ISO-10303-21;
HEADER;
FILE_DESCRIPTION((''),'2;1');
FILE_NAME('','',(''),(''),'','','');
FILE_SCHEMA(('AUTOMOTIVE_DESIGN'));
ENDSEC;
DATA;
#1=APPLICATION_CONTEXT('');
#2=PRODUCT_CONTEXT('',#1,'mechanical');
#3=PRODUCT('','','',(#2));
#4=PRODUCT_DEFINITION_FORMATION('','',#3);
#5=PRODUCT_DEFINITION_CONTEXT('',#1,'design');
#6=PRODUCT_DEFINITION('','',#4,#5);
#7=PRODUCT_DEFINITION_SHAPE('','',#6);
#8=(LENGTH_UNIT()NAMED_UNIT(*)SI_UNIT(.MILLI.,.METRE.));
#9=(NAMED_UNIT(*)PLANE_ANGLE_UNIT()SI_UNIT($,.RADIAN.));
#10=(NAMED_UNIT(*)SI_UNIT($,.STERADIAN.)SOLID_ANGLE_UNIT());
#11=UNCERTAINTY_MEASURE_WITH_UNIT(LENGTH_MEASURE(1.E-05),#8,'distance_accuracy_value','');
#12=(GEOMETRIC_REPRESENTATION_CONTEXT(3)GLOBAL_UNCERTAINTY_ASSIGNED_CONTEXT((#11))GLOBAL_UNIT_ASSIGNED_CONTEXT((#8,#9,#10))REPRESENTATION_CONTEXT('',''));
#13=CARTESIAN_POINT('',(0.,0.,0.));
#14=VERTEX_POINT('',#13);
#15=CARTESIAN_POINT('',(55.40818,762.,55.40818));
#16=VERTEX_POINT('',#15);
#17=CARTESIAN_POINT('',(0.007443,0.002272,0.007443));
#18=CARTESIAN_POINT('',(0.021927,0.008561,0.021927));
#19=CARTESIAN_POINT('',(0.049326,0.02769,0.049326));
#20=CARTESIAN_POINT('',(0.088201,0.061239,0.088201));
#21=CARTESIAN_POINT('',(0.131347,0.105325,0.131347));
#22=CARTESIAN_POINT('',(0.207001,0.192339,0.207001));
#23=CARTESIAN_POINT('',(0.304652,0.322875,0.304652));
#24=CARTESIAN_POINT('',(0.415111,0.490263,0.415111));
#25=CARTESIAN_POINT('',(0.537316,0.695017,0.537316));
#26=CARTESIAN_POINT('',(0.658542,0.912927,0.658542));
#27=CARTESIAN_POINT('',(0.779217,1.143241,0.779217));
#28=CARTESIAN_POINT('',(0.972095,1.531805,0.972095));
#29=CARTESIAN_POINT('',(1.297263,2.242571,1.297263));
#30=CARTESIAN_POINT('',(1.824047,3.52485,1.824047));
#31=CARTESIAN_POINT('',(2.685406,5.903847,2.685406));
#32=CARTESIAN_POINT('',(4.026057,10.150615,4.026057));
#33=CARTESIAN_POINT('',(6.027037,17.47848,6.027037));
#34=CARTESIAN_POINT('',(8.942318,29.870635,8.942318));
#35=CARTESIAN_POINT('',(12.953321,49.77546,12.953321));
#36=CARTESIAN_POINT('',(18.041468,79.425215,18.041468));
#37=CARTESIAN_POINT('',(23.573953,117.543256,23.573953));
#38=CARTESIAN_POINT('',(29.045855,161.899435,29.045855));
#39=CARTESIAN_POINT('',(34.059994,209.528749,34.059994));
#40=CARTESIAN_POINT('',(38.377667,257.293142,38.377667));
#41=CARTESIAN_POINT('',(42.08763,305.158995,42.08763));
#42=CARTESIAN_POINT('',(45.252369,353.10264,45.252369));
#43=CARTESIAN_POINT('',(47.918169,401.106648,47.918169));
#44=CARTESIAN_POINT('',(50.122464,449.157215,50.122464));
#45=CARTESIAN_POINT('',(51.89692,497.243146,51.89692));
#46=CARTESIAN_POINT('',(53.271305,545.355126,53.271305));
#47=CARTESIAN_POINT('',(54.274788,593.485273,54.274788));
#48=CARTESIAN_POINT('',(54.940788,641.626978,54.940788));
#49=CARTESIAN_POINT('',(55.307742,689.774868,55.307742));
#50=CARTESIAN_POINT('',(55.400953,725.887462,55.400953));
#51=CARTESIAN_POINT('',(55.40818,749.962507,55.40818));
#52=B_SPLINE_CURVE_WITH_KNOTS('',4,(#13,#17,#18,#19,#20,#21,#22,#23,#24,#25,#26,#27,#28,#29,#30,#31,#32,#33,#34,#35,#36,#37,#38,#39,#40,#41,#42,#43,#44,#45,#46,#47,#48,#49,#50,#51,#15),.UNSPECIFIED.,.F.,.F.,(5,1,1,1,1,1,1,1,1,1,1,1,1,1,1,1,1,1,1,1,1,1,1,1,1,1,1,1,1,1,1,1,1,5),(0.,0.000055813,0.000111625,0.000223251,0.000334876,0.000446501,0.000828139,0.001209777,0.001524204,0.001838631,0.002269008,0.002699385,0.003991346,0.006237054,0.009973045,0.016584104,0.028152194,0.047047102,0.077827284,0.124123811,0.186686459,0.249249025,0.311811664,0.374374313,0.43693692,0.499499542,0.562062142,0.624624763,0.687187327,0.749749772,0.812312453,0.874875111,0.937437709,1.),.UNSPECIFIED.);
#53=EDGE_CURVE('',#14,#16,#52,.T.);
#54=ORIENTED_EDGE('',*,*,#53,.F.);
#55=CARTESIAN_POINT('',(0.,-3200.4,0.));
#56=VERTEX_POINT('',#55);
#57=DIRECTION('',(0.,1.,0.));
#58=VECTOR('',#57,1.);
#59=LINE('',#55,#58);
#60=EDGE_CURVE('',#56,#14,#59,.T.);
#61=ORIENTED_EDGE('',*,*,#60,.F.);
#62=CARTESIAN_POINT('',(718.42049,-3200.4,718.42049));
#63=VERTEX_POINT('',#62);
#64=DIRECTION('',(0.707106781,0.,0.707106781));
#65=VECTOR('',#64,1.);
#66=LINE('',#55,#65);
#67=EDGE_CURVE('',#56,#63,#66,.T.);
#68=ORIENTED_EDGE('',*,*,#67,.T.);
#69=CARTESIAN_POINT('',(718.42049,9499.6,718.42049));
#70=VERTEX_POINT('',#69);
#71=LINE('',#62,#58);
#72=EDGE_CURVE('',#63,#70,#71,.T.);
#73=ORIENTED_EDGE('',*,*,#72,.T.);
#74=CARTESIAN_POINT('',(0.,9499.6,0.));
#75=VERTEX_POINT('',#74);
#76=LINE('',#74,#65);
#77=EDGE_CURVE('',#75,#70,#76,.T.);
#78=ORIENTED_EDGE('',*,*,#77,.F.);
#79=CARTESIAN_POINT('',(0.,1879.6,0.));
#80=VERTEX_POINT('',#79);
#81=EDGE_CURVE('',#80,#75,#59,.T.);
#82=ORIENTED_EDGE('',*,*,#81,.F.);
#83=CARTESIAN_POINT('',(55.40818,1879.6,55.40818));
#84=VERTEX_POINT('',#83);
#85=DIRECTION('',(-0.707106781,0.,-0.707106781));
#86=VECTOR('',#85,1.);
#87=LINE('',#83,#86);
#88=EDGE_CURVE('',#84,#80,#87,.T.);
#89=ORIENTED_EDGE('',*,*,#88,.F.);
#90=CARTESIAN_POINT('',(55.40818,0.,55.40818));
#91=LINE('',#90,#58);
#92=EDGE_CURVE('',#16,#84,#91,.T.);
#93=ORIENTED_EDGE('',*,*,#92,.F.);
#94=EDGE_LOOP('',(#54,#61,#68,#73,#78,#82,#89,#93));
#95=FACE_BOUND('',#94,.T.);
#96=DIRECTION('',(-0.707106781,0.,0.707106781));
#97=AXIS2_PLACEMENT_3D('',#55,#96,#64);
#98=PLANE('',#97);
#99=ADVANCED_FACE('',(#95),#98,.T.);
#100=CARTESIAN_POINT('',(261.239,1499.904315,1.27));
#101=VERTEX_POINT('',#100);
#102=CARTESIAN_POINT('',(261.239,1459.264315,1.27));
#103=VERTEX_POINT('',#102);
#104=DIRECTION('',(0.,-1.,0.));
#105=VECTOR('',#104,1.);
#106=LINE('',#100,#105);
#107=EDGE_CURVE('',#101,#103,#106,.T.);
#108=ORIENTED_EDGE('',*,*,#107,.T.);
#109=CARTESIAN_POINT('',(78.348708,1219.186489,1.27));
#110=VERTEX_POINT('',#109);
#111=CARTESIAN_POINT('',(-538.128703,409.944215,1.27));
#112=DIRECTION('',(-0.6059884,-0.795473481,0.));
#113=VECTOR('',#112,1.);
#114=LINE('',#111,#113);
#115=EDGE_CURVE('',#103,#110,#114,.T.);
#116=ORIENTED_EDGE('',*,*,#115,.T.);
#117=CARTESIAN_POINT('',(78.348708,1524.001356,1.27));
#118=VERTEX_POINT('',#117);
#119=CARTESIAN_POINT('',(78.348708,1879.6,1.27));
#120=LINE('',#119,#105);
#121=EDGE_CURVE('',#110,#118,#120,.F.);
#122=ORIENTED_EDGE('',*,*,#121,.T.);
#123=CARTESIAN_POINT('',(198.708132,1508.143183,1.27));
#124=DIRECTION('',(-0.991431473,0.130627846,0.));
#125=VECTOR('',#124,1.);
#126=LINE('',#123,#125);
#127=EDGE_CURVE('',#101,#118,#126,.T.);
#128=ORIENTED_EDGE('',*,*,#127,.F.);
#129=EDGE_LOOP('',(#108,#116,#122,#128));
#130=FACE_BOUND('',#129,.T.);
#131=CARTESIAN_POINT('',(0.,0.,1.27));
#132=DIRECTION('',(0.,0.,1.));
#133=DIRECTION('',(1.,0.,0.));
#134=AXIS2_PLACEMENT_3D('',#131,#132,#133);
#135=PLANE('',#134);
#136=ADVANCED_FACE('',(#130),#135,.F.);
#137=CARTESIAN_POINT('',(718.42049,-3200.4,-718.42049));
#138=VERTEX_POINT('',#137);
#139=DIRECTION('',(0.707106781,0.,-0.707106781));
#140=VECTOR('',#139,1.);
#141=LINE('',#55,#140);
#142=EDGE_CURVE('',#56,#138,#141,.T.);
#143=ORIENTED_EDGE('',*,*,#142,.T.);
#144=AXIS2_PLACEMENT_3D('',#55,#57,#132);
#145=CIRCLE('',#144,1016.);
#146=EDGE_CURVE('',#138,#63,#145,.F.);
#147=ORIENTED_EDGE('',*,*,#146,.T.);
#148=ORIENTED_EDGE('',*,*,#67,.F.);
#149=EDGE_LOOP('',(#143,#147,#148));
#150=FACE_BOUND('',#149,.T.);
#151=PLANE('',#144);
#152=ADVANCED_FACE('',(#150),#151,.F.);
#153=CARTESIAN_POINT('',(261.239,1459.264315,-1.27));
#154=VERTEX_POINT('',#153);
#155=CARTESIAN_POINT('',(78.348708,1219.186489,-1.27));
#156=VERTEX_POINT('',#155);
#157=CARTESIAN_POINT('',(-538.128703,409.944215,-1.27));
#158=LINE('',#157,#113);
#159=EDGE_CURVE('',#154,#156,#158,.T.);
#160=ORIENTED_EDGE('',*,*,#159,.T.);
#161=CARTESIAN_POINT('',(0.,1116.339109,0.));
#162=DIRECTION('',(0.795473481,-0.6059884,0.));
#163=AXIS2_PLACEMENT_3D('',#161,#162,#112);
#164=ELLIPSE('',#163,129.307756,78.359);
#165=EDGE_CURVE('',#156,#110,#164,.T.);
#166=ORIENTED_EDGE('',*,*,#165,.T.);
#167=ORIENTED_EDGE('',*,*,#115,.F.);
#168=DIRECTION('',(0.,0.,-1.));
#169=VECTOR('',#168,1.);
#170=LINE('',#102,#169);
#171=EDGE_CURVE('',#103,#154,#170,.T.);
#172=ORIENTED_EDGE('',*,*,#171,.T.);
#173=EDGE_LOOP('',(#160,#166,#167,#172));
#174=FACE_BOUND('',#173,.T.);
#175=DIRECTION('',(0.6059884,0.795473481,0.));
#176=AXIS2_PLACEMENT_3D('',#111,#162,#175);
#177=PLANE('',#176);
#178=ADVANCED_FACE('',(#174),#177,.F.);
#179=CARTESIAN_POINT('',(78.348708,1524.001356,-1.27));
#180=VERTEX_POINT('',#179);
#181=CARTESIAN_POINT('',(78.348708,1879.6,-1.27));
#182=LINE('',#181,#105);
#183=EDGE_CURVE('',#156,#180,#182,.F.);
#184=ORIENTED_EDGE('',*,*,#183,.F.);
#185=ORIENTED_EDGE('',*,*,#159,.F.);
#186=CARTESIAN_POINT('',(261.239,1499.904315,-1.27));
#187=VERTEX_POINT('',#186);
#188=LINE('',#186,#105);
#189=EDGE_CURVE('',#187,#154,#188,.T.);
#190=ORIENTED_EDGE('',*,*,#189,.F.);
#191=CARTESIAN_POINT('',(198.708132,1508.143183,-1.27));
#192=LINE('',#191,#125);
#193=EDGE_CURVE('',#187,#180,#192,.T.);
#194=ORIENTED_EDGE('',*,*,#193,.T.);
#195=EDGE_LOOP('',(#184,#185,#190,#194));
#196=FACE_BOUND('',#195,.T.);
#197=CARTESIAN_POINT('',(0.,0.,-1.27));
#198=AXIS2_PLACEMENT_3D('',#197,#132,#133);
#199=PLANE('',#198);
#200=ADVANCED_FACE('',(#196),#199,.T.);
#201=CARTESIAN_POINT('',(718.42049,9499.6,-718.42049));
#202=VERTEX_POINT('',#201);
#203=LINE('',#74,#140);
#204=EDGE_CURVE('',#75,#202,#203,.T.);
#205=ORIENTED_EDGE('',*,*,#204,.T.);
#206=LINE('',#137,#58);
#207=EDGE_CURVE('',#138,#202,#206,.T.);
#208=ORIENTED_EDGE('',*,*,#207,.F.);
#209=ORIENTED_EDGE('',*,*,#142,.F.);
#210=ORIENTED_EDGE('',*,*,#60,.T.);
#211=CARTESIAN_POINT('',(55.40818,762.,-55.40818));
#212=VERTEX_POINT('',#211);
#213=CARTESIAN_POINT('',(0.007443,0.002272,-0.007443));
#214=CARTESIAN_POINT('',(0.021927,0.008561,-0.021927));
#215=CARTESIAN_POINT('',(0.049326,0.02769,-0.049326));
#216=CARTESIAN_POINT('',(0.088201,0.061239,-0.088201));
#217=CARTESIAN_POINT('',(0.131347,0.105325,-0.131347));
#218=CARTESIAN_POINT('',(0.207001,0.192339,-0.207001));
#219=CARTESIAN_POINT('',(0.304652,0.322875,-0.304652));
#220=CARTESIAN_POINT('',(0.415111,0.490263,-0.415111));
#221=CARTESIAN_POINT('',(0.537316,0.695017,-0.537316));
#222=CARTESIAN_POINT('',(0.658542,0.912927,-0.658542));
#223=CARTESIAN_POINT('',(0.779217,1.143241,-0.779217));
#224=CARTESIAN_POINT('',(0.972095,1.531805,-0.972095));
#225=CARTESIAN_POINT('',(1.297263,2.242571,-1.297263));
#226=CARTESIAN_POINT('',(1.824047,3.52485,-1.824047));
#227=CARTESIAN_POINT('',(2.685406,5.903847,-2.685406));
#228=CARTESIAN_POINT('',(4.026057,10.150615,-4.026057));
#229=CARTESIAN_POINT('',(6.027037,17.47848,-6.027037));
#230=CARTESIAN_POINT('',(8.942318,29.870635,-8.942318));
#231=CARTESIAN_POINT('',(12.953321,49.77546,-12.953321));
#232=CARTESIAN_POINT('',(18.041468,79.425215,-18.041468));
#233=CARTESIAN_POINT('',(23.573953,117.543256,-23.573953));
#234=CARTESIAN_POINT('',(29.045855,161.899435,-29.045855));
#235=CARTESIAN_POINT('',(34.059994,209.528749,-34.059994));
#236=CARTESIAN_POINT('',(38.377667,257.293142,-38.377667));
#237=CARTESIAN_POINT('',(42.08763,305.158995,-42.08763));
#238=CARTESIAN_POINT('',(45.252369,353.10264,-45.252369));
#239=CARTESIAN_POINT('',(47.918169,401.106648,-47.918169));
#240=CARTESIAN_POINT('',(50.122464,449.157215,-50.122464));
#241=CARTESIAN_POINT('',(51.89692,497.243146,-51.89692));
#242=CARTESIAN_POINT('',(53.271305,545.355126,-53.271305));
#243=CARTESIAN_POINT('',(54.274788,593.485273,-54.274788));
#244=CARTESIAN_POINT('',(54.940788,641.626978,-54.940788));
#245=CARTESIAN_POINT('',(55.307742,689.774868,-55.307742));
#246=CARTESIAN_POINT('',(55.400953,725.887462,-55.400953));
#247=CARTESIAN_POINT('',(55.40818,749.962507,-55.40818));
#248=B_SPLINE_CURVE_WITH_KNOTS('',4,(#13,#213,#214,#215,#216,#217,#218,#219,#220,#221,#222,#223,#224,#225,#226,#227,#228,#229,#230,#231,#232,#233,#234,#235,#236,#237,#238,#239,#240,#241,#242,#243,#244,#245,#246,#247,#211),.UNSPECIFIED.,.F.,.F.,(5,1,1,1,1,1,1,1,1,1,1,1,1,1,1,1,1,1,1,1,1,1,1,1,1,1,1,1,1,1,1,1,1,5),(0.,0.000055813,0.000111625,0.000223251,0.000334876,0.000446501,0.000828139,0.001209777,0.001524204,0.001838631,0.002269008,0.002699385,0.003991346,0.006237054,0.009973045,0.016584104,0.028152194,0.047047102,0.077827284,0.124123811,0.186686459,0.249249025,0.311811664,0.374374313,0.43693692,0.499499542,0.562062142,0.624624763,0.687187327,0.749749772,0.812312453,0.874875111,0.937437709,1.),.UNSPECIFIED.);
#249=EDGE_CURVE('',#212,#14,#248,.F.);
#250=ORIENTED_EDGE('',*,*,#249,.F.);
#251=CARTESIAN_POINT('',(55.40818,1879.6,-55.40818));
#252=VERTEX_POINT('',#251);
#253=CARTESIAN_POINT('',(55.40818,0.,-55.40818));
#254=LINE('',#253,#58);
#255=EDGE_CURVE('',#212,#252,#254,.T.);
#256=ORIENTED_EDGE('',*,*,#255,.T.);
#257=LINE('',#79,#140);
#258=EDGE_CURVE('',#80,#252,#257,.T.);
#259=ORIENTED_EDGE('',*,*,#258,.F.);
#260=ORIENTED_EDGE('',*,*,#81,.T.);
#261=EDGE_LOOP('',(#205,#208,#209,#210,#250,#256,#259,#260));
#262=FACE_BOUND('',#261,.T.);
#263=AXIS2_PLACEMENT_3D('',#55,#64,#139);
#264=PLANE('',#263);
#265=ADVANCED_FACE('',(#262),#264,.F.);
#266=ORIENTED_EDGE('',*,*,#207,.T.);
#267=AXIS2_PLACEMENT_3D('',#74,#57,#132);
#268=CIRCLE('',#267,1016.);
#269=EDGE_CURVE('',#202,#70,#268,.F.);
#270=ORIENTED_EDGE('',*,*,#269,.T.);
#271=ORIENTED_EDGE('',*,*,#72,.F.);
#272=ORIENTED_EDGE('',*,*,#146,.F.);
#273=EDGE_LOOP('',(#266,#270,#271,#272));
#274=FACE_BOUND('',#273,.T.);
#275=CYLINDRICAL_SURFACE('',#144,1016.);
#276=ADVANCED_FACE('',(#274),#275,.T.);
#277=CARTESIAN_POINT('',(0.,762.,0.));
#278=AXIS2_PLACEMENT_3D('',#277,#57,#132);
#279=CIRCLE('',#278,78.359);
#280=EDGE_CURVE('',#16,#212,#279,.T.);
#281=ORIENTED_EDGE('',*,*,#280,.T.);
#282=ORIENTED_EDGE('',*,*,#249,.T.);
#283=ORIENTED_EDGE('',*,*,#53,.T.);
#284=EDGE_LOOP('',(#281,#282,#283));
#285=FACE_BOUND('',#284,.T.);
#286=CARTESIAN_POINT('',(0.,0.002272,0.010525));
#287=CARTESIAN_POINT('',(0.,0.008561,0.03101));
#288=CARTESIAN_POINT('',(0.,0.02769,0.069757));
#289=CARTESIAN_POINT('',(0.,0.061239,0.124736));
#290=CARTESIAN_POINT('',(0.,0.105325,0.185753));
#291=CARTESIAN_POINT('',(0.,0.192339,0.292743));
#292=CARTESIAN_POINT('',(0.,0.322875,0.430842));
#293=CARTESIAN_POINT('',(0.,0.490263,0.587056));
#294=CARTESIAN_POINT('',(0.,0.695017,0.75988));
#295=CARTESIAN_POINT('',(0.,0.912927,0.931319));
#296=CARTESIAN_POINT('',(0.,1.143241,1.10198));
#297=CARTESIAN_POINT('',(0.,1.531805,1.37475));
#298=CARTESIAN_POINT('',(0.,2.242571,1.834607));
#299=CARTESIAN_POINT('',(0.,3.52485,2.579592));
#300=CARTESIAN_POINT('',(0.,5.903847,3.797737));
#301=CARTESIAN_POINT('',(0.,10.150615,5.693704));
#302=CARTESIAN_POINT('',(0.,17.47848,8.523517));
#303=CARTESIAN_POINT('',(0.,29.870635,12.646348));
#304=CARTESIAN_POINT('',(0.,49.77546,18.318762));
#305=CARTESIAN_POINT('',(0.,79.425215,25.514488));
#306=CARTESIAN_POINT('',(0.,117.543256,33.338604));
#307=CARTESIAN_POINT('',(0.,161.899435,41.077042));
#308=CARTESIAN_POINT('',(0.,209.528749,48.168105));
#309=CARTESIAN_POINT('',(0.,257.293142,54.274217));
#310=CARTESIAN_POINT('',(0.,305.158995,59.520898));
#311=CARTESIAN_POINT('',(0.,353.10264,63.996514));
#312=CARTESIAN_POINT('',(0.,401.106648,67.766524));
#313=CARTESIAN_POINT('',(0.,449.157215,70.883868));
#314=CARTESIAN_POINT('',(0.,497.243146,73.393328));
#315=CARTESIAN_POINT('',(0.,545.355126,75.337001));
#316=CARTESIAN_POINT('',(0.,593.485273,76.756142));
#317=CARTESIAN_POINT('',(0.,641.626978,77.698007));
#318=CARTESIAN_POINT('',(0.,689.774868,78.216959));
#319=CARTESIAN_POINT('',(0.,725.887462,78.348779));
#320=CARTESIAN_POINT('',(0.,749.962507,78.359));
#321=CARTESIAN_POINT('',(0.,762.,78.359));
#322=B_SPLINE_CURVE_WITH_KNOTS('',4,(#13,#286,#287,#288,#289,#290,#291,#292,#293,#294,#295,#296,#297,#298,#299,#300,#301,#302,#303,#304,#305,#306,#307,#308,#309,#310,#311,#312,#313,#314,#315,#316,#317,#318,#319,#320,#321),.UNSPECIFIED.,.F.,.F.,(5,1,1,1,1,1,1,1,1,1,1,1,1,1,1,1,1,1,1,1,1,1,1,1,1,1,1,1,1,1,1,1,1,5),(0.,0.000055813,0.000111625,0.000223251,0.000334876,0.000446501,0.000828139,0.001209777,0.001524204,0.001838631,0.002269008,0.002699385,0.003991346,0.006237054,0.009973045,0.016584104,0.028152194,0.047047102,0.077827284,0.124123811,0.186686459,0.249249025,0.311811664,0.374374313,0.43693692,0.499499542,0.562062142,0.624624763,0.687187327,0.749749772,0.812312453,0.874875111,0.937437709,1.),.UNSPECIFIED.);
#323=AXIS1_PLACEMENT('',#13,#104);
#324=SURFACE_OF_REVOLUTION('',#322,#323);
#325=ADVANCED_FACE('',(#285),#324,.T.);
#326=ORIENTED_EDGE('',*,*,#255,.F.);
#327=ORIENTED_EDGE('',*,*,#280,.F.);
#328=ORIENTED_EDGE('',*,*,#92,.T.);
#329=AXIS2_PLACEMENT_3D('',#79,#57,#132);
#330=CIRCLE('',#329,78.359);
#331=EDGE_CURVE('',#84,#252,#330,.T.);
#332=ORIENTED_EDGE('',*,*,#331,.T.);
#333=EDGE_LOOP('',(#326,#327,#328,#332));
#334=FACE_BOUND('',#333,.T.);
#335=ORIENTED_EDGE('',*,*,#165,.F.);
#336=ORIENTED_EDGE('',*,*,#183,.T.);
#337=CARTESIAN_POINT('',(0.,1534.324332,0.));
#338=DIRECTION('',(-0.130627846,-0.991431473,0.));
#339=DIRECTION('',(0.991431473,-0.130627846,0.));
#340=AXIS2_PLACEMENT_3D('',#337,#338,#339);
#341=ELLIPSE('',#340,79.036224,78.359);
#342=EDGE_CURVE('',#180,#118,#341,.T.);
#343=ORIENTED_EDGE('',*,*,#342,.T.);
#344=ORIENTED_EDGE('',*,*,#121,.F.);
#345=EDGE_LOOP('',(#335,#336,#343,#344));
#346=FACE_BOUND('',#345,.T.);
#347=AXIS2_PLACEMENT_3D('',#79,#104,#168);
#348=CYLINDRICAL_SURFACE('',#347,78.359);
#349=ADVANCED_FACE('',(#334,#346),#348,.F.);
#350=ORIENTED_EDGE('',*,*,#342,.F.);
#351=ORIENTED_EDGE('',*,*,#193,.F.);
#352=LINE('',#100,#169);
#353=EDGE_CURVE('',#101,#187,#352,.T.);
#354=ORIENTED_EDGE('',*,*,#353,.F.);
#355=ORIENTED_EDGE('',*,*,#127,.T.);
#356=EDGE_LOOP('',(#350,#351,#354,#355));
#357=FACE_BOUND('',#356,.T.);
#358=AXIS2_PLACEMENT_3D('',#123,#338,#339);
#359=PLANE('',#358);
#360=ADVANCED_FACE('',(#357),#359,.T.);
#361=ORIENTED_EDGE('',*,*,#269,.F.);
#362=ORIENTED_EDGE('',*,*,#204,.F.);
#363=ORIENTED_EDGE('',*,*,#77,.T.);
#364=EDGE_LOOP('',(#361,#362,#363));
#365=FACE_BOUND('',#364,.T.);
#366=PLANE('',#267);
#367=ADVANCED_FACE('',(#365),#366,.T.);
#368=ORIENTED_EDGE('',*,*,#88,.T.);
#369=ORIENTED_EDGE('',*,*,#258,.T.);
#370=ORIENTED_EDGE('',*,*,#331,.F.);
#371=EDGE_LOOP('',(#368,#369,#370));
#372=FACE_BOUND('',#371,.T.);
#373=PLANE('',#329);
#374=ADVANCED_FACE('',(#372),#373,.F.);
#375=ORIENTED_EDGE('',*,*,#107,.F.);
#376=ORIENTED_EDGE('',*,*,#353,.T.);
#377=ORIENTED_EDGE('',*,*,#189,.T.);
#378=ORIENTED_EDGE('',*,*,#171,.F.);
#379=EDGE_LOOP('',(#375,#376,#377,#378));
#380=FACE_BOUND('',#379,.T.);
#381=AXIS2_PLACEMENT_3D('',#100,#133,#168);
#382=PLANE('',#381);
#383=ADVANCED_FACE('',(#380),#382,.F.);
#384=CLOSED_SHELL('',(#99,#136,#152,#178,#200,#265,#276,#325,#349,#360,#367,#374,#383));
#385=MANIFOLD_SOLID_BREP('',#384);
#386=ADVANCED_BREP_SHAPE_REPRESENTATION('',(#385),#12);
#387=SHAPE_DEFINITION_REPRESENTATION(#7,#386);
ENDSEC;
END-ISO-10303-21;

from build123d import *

# Parameters (mm, degrees)
SKETCH5_R                = 78.359
BOSS_EXTRUDE1_DEPTH      = 1117.6
CUT_EXTRUDE2_DEPTH       = 1883.863889443
BOSS_EXTRUDE3_DEPTH      = 1.27
BOSS_EXTRUDE4_DEPTH      = 7620
BOSS_EXTRUDE4_DEPTH_BACK = 5080


with BuildPart() as part:
    # Sketch4 → Revolve1 (revolve)
    with BuildSketch(Plane.YZ):
        with BuildLine():
            add(Edge.make_bspline(
                [(0, 0), (0.002272338, 0.010525317), (0.008561015, 0.031009867), (0.027689705, 0.069756925), (0.061239273, 0.124735634), (0.105324786, 0.185752869), (0.192338612, 0.292743497), (0.322874784, 0.430842392), (0.490263053, 0.587055669), (0.695016601, 0.7598799), (0.912926923, 0.931318831), (1.143240517, 1.10197974), (1.531804995, 1.374749944), (2.242570555, 1.834607161), (3.524849665, 2.579591801), (5.903846922, 3.797737268), (10.150615363, 5.693703914), (17.478480432, 8.523516836), (29.870634739, 12.646347877), (49.775460189, 18.3187623), (79.425215434, 25.51448835), (117.543255539, 33.338604399), (161.899434584, 41.077041953), (209.528749396, 48.168105347), (257.293142226, 54.274216652), (305.158994976, 59.520897511), (353.102640037, 63.996513764), (401.106648045, 67.766524351), (449.157215103, 70.883868143), (497.243146494, 73.39332762), (545.355125756, 75.337001384), (593.485273111, 76.756141879), (641.626977986, 77.698006858), (689.774868279, 78.216958862), (725.887462179, 78.34877941), (749.962507453, 78.359), (762, 78.359)],
                knots=[0, 0, 0, 0, 0, 5.5813e-05, 0.000111625, 0.000223251, 0.000334876, 0.000446501, 0.000828139, 0.001209777, 0.001524204, 0.001838631, 0.002269008, 0.002699385, 0.003991346, 0.006237054, 0.009973045, 0.016584104, 0.028152194, 0.047047102, 0.077827284, 0.124123811, 0.186686459, 0.249249025, 0.311811664, 0.374374313, 0.43693692, 0.499499542, 0.562062142, 0.624624763, 0.687187327, 0.749749772, 0.812312453, 0.874875111, 0.937437709, 1, 1, 1, 1, 1], degree=4))
            Line((0, 0), (762, 0))
            Line((762, 0), (762, 78.359))
        make_face()
    revolve(axis=Axis((0, 0, 0), (0, 1, 0)))

    # Sketch5 → Boss-Extrude1 (add)
    with BuildSketch(Plane(origin=(0, 762, 0), x_dir=(-1, 0, 0), z_dir=(0, 1, 0))):
        Circle(SKETCH5_R)
    extrude(amount=BOSS_EXTRUDE1_DEPTH)

    # Sketch10 → Cut-Extrude2 (cut, through all)
    with BuildSketch(Plane(origin=(0, 1879.6, 0), x_dir=(-1, 0, 0), z_dir=(0, 1, 0))):
        with BuildLine():
            Line((-55.408180267, 55.408180267), (0, 0))
            Line((0, 0), (-55.408180267, -55.408180267))
            ThreePointArc((-55.408180267, -55.408180267), (78.359, 0), (-55.408180267, 55.408180267))
        make_face()
    extrude(amount=-CUT_EXTRUDE2_DEPTH, mode=Mode.SUBTRACT)

    # Sketch14 → Boss-Extrude3 (add, symmetric)
    with BuildSketch(Plane(origin=(0, 0, 0), x_dir=(-1, 0, 0), z_dir=(0, 0, 1))):
        Polygon((-55.408180267, -1189.07274269), (-261.239, -1459.264314952), (-261.239, -1499.904314952), (-55.408180267, -1527.023926749), (-55.408180267, -1524), (-52.959, -1524), (-52.959, -1219.2), (-55.408180267, -1219.2), align=None)
    extrude(amount=BOSS_EXTRUDE3_DEPTH, both=True)


with BuildPart() as body_2:
    # Sketch15 → Boss-Extrude4 (new, two sides: drawn at the far end of the back side and taken through both)
    with BuildSketch(Plane(origin=(0, 1879.6, 0), x_dir=(-1, 0, 0), z_dir=(0, 1, 0)).offset(-BOSS_EXTRUDE4_DEPTH_BACK)):
        with BuildLine():
            Line((0, 0), (-718.420489686, 718.420489686))
            ThreePointArc((-718.420489686, 718.420489686), (-1016, 0), (-718.420489686, -718.420489686))
            Line((-718.420489686, -718.420489686), (0, 0))
        make_face()
    extrude(amount=BOSS_EXTRUDE4_DEPTH + BOSS_EXTRUDE4_DEPTH_BACK)

    # Combine1: cut part
    add(part.part, mode=Mode.SUBTRACT)


solid = body_2.part
